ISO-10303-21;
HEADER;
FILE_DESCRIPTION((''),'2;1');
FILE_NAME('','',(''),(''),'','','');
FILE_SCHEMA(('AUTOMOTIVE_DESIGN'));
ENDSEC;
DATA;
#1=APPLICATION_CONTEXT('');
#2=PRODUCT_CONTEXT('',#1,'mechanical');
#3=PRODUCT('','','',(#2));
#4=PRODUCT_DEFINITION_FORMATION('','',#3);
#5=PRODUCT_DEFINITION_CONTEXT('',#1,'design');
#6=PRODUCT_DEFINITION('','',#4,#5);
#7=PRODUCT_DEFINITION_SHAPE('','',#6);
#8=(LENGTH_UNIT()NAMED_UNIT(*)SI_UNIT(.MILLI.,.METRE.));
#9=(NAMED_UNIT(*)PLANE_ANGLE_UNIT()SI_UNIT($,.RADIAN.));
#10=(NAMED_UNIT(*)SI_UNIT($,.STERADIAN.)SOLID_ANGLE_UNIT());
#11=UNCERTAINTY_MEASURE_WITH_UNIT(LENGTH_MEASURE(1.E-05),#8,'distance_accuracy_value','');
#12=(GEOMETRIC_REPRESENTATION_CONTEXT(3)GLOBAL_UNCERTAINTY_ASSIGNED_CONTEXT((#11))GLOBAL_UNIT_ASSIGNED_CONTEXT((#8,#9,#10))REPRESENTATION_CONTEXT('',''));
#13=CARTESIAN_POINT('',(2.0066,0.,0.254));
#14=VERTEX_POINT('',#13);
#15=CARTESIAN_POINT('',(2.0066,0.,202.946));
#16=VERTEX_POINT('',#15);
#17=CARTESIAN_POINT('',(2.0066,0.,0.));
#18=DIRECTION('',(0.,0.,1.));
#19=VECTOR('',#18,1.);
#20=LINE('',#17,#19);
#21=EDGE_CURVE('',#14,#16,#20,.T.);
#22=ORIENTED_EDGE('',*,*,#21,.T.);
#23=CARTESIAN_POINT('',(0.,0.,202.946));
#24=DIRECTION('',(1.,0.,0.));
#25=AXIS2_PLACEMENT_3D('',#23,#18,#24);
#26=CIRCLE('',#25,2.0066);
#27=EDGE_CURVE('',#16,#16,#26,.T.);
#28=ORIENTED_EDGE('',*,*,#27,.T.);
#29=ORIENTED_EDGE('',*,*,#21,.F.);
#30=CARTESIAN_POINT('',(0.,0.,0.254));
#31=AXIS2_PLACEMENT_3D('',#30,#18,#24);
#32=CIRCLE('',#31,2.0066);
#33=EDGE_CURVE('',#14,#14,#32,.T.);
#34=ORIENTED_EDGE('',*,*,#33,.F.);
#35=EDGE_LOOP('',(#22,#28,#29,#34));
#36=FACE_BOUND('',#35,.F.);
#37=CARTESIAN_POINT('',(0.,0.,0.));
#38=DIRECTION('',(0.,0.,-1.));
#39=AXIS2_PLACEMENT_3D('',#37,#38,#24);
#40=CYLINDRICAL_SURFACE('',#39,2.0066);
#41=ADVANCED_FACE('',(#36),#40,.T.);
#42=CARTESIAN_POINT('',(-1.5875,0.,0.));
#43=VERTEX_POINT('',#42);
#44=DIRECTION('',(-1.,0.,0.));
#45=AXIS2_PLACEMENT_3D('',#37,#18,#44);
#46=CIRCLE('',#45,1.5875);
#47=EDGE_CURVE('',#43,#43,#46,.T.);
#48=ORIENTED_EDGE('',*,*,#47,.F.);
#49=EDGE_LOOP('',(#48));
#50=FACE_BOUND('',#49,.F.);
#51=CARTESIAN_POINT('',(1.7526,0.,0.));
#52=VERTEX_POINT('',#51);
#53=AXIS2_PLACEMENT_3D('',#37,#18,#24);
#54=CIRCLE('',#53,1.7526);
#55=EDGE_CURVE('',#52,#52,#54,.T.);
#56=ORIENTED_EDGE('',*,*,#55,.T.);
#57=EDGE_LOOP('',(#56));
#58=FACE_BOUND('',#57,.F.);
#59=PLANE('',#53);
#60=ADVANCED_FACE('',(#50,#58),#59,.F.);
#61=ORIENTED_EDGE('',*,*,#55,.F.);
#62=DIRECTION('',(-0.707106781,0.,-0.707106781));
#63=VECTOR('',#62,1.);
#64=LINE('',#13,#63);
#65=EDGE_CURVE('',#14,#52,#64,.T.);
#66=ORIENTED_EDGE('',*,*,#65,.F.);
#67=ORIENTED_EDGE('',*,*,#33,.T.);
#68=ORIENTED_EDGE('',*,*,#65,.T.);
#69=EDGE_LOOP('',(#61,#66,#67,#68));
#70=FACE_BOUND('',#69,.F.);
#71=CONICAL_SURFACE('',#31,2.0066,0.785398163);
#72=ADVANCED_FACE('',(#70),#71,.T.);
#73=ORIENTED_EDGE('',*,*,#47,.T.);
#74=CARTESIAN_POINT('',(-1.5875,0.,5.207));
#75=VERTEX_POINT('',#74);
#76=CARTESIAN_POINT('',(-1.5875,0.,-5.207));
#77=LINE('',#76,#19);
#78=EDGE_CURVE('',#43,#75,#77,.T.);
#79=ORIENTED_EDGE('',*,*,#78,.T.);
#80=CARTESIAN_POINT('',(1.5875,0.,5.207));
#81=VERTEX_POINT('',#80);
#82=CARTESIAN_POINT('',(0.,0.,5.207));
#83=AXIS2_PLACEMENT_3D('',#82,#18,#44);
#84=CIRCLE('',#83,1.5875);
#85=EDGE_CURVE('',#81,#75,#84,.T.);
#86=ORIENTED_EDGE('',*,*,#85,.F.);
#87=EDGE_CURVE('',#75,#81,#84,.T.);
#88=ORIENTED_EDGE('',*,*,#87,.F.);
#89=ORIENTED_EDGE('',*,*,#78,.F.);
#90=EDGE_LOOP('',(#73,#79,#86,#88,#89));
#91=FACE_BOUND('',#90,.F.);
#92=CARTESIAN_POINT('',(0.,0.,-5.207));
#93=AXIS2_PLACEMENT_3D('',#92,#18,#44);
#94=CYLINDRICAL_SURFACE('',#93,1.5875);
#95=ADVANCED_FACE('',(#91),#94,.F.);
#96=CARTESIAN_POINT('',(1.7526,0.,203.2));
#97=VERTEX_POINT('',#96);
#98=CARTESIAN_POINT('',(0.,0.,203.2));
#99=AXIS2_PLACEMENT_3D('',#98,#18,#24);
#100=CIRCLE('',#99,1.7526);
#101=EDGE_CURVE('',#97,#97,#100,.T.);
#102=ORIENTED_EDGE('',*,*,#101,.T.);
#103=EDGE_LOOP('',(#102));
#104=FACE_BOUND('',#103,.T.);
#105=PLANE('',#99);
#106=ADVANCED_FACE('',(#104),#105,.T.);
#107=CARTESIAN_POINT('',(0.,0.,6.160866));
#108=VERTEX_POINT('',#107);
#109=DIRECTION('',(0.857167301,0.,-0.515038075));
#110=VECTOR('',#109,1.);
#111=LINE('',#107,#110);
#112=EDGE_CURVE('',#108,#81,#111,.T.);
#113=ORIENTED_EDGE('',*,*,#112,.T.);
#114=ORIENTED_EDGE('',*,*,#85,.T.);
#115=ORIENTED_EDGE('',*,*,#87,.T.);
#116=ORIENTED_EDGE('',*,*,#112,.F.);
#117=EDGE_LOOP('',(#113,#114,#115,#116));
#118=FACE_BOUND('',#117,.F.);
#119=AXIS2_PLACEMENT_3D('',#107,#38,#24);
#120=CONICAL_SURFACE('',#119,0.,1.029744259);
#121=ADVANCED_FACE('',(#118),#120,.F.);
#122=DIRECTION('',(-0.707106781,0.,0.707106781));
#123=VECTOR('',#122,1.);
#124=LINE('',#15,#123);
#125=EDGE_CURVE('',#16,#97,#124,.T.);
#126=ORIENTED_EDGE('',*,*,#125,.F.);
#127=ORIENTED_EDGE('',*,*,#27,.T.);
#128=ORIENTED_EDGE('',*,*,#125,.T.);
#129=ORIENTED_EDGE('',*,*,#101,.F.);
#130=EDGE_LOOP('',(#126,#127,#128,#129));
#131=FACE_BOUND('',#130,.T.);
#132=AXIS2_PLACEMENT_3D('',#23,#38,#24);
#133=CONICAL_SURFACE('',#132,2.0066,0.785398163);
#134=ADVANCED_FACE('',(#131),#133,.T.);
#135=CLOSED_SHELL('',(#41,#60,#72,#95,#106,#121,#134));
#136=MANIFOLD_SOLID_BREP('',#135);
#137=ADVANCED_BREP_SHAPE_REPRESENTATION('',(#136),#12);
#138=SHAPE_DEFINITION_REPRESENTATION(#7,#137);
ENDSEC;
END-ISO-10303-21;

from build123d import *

# Parameters (mm, degrees)
F0_R     = 2.0066
F1_DEPTH = 203.2
F2_SIZE  = 0.254
F3_D     = 3.175
F3_DEPTH = 5.207
F3_TIP   = 0.9538662327


with BuildPart() as f1:
    # F0 (on Top) → F1 (new body)
    with BuildSketch(Plane.XY):
        Circle(F0_R)
    extrude(amount=F1_DEPTH)

    # F2
    f2_edges = [f1.edges().sort_by_distance(p)[0] for p in [
        (-2.0066, 0, 0),
        (-2.0066, 0, 203.2),
    ]]
    chamfer(f2_edges, length=F2_SIZE)

    # F3
    with Locations(Plane(origin=(0, 0, 0), x_dir=(1, 0, 0), z_dir=(0, 0, -1))):
        with Locations((0, 0)):
            Hole(F3_D / 2, depth=F3_DEPTH)
            with Locations((0, 0, -(F3_DEPTH + F3_TIP / 2))):  # 118° drill point
                Cone(0, F3_D / 2, F3_TIP, mode=Mode.SUBTRACT)


solid = f1.part
